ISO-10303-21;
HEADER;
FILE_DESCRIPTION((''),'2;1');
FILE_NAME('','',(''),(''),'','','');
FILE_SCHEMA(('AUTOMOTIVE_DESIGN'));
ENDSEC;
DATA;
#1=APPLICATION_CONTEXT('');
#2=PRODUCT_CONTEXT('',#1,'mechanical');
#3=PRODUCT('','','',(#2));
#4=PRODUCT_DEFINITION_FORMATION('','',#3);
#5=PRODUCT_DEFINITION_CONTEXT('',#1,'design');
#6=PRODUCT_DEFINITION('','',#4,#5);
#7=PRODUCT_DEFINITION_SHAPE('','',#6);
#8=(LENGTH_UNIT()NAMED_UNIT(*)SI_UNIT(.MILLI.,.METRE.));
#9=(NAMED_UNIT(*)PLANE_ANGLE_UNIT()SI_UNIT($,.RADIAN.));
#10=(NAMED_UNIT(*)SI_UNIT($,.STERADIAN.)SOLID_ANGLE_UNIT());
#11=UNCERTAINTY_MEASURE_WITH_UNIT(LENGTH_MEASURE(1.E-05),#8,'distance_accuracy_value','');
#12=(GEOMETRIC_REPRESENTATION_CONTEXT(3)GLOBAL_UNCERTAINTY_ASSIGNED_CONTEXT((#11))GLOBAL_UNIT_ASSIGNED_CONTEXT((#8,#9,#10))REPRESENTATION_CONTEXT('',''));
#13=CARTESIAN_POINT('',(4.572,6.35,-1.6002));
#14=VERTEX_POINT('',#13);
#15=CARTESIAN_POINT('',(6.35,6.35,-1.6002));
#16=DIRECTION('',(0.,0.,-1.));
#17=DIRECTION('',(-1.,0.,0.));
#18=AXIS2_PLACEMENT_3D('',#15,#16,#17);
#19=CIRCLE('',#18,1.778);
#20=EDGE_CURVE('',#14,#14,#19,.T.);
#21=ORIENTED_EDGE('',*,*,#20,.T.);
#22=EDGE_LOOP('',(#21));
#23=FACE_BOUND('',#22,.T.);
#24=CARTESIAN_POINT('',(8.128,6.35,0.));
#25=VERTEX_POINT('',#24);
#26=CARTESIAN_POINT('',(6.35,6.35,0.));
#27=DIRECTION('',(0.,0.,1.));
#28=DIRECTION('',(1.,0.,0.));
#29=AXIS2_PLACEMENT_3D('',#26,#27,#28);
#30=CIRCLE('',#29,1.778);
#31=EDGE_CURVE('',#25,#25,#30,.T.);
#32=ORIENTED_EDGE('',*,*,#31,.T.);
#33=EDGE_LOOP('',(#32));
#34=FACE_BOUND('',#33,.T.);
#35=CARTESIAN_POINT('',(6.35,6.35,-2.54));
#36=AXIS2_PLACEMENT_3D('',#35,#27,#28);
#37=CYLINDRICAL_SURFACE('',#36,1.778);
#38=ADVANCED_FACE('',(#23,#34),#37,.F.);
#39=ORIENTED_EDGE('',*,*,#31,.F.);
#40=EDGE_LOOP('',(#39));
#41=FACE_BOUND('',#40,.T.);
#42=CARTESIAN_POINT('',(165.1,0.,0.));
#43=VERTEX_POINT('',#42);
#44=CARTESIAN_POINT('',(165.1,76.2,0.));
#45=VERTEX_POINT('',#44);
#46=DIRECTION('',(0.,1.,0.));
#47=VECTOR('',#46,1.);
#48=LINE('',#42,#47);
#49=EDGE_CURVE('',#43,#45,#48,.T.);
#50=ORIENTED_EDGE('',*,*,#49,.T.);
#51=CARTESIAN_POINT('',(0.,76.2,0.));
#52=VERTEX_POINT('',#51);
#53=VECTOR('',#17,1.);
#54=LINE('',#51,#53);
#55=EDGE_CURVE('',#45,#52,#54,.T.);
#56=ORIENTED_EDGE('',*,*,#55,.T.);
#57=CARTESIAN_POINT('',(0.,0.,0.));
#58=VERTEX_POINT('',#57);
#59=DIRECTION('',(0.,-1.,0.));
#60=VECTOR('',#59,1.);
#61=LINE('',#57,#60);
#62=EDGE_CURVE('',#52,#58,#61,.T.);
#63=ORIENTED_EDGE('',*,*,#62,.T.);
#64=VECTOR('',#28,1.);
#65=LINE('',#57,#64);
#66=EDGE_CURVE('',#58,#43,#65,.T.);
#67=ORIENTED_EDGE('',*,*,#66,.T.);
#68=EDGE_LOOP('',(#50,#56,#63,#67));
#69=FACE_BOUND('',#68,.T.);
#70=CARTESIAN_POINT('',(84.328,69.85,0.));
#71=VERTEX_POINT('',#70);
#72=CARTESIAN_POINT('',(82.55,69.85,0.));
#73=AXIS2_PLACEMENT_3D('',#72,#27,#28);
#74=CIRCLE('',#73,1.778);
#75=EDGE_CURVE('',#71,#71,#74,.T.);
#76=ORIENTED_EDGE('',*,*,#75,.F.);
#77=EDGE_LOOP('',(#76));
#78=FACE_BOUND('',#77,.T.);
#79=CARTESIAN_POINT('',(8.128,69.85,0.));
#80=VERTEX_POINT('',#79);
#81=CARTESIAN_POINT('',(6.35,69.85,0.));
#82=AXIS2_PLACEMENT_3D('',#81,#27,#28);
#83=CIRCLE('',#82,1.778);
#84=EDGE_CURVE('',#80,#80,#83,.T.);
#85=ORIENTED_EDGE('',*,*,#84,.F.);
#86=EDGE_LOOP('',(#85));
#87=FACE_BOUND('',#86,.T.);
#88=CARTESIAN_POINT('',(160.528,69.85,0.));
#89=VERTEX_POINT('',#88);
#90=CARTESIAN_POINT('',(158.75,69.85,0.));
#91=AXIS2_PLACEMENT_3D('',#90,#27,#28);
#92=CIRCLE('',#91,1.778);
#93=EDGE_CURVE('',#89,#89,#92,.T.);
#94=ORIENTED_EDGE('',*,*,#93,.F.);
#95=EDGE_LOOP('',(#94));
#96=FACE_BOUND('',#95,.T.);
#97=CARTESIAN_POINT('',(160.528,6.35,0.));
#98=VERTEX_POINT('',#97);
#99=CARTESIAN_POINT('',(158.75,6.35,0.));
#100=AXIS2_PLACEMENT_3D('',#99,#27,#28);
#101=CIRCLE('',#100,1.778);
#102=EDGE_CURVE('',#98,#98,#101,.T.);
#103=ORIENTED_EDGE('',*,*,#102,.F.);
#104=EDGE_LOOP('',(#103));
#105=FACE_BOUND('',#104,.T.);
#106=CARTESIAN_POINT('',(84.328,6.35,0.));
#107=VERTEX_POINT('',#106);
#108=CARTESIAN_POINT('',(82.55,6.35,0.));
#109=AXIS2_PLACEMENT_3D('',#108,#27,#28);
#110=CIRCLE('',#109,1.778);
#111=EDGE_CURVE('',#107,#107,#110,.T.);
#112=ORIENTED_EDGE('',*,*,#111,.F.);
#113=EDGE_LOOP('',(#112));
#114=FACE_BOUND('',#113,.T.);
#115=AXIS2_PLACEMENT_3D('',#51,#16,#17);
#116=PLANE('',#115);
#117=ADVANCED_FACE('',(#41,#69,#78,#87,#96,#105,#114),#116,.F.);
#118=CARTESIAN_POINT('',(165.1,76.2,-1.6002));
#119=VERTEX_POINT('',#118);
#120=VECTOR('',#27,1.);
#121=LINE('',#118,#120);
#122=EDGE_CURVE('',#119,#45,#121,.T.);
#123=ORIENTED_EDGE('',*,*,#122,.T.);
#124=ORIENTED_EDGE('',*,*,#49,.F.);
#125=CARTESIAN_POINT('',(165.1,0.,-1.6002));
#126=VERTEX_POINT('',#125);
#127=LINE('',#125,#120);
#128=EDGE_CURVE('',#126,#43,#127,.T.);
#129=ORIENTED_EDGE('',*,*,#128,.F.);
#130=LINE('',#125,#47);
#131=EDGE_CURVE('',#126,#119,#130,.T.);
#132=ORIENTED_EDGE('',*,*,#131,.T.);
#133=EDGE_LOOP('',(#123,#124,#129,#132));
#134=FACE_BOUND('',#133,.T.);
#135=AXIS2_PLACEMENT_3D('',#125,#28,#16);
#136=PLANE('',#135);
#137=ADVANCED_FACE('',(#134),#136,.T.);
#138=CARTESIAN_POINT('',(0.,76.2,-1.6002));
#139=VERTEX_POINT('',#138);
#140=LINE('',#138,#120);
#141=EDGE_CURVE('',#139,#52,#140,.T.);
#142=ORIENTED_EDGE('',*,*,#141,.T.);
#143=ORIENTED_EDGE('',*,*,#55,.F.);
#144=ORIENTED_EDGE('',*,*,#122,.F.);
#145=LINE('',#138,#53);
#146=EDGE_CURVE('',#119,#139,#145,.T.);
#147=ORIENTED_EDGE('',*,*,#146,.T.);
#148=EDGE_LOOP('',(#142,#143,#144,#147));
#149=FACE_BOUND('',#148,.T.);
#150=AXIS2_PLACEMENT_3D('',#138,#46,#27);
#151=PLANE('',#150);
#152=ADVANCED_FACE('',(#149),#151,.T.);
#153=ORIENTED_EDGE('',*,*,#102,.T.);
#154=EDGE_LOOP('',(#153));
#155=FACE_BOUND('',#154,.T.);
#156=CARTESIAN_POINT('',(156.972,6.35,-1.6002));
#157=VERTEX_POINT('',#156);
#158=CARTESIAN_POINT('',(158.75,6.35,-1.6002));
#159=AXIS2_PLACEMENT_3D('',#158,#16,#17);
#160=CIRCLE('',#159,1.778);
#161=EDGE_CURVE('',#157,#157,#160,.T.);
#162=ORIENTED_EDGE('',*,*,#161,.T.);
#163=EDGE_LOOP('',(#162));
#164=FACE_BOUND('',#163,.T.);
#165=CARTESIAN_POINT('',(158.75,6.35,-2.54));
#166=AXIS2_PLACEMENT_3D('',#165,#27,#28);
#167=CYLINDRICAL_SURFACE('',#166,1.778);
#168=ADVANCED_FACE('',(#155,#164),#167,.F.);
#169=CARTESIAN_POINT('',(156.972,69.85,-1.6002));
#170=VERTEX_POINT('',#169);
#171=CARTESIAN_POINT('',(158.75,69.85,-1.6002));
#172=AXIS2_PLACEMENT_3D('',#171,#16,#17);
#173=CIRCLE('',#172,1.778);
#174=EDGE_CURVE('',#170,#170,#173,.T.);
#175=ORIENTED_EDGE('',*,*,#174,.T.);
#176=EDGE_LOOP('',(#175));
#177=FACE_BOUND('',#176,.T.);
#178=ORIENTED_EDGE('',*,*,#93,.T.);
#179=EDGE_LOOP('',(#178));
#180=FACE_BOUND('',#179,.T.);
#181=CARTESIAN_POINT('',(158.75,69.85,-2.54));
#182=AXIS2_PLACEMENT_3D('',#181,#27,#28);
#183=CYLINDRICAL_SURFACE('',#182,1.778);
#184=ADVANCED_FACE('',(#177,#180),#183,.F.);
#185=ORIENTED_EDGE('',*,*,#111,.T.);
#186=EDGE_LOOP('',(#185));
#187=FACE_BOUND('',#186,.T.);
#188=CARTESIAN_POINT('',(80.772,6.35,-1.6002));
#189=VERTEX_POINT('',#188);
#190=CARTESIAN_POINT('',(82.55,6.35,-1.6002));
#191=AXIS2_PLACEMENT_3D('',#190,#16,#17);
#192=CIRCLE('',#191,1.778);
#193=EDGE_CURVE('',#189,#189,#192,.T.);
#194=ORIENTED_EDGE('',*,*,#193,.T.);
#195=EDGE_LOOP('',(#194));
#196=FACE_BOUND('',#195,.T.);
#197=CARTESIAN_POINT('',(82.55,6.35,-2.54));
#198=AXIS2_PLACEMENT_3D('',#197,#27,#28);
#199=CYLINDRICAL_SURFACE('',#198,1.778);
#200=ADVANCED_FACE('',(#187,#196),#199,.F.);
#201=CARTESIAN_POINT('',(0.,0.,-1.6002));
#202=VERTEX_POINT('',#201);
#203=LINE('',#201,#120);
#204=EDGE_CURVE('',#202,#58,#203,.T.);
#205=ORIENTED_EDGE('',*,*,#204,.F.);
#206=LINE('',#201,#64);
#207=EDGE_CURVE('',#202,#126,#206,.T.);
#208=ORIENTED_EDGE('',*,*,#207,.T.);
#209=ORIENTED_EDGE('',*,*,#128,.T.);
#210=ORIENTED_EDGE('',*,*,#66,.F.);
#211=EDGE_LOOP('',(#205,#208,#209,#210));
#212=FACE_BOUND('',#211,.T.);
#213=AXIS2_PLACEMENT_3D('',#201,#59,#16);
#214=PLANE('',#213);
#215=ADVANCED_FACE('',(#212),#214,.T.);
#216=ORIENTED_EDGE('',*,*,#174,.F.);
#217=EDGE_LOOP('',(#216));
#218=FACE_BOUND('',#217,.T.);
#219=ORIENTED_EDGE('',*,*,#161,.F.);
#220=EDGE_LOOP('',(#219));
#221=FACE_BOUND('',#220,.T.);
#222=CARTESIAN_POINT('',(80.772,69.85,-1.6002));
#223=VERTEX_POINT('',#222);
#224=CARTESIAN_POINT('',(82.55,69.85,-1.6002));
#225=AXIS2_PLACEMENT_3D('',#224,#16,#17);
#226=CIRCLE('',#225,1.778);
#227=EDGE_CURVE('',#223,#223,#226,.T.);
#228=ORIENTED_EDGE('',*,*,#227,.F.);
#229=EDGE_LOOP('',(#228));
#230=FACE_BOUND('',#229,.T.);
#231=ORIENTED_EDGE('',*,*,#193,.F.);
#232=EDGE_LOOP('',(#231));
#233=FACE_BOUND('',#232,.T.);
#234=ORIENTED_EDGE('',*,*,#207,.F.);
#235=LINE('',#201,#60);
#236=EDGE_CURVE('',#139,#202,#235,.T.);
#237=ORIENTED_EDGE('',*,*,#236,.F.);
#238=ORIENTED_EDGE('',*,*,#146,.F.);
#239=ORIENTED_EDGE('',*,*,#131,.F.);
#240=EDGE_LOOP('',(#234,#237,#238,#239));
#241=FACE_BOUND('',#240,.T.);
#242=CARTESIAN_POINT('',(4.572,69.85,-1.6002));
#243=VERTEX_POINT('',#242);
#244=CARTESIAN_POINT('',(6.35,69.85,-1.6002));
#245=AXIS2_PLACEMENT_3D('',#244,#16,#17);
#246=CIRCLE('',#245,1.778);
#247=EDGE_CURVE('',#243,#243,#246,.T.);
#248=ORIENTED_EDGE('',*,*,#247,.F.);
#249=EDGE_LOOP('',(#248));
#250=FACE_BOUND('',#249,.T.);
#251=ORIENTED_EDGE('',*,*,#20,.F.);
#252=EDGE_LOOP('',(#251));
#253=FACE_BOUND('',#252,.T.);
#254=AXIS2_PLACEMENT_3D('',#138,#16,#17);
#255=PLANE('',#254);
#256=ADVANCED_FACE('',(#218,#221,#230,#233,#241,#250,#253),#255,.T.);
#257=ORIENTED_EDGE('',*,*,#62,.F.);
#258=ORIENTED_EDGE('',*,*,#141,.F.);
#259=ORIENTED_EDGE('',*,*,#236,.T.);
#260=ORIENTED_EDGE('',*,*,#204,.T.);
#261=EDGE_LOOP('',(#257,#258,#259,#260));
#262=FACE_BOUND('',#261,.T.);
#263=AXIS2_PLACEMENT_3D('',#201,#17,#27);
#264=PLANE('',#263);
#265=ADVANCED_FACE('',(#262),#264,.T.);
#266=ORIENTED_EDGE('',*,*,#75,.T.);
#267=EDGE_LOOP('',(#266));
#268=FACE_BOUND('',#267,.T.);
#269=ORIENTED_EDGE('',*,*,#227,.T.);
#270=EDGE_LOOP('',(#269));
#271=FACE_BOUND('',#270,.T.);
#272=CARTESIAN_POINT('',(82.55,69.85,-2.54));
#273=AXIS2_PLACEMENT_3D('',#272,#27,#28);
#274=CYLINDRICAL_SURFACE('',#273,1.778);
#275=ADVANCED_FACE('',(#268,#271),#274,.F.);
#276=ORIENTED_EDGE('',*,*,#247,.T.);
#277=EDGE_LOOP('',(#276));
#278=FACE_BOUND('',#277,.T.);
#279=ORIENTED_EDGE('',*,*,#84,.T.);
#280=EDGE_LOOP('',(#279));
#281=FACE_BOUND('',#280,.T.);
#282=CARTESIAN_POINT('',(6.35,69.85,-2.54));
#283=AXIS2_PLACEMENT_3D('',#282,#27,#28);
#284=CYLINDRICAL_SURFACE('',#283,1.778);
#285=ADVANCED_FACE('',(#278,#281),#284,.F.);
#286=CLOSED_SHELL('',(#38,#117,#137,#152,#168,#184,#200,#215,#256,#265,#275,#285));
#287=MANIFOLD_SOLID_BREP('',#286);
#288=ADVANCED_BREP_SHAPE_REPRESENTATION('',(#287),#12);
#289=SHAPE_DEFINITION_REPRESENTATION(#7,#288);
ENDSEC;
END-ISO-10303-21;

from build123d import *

# Parameters (mm, degrees)
SKETCH1_W          = 165.1
SKETCH1_H          = 76.2
EXTRUDE1_DEPTH     = 1.6002
SKETCH2_R          = 1.778
CUT_EXTRUDE1_DEPTH = 2.54


with BuildPart() as part:
    # Sketch1 → Extrude1 (new body)
    with BuildSketch(Plane.XY):
        with Locations((82.55, 38.1)):
            Rectangle(SKETCH1_W, SKETCH1_H)
    extrude(amount=-EXTRUDE1_DEPTH)

    # Sketch2 → Cut-Extrude1 (cut)
    with BuildSketch(Plane.XY):
        with Locations((6.35, 69.85)):
            Circle(SKETCH2_R)
        with Locations((158.75, 69.85)):
            Circle(SKETCH2_R)
        with Locations((158.75, 6.35)):
            Circle(SKETCH2_R)
        with Locations((6.35, 6.35)):
            Circle(SKETCH2_R)
        with Locations((82.55, 6.35)):
            Circle(SKETCH2_R)
        with Locations((82.55, 69.85)):
            Circle(SKETCH2_R)
    extrude(amount=-CUT_EXTRUDE1_DEPTH, mode=Mode.SUBTRACT)


solid = part.part
